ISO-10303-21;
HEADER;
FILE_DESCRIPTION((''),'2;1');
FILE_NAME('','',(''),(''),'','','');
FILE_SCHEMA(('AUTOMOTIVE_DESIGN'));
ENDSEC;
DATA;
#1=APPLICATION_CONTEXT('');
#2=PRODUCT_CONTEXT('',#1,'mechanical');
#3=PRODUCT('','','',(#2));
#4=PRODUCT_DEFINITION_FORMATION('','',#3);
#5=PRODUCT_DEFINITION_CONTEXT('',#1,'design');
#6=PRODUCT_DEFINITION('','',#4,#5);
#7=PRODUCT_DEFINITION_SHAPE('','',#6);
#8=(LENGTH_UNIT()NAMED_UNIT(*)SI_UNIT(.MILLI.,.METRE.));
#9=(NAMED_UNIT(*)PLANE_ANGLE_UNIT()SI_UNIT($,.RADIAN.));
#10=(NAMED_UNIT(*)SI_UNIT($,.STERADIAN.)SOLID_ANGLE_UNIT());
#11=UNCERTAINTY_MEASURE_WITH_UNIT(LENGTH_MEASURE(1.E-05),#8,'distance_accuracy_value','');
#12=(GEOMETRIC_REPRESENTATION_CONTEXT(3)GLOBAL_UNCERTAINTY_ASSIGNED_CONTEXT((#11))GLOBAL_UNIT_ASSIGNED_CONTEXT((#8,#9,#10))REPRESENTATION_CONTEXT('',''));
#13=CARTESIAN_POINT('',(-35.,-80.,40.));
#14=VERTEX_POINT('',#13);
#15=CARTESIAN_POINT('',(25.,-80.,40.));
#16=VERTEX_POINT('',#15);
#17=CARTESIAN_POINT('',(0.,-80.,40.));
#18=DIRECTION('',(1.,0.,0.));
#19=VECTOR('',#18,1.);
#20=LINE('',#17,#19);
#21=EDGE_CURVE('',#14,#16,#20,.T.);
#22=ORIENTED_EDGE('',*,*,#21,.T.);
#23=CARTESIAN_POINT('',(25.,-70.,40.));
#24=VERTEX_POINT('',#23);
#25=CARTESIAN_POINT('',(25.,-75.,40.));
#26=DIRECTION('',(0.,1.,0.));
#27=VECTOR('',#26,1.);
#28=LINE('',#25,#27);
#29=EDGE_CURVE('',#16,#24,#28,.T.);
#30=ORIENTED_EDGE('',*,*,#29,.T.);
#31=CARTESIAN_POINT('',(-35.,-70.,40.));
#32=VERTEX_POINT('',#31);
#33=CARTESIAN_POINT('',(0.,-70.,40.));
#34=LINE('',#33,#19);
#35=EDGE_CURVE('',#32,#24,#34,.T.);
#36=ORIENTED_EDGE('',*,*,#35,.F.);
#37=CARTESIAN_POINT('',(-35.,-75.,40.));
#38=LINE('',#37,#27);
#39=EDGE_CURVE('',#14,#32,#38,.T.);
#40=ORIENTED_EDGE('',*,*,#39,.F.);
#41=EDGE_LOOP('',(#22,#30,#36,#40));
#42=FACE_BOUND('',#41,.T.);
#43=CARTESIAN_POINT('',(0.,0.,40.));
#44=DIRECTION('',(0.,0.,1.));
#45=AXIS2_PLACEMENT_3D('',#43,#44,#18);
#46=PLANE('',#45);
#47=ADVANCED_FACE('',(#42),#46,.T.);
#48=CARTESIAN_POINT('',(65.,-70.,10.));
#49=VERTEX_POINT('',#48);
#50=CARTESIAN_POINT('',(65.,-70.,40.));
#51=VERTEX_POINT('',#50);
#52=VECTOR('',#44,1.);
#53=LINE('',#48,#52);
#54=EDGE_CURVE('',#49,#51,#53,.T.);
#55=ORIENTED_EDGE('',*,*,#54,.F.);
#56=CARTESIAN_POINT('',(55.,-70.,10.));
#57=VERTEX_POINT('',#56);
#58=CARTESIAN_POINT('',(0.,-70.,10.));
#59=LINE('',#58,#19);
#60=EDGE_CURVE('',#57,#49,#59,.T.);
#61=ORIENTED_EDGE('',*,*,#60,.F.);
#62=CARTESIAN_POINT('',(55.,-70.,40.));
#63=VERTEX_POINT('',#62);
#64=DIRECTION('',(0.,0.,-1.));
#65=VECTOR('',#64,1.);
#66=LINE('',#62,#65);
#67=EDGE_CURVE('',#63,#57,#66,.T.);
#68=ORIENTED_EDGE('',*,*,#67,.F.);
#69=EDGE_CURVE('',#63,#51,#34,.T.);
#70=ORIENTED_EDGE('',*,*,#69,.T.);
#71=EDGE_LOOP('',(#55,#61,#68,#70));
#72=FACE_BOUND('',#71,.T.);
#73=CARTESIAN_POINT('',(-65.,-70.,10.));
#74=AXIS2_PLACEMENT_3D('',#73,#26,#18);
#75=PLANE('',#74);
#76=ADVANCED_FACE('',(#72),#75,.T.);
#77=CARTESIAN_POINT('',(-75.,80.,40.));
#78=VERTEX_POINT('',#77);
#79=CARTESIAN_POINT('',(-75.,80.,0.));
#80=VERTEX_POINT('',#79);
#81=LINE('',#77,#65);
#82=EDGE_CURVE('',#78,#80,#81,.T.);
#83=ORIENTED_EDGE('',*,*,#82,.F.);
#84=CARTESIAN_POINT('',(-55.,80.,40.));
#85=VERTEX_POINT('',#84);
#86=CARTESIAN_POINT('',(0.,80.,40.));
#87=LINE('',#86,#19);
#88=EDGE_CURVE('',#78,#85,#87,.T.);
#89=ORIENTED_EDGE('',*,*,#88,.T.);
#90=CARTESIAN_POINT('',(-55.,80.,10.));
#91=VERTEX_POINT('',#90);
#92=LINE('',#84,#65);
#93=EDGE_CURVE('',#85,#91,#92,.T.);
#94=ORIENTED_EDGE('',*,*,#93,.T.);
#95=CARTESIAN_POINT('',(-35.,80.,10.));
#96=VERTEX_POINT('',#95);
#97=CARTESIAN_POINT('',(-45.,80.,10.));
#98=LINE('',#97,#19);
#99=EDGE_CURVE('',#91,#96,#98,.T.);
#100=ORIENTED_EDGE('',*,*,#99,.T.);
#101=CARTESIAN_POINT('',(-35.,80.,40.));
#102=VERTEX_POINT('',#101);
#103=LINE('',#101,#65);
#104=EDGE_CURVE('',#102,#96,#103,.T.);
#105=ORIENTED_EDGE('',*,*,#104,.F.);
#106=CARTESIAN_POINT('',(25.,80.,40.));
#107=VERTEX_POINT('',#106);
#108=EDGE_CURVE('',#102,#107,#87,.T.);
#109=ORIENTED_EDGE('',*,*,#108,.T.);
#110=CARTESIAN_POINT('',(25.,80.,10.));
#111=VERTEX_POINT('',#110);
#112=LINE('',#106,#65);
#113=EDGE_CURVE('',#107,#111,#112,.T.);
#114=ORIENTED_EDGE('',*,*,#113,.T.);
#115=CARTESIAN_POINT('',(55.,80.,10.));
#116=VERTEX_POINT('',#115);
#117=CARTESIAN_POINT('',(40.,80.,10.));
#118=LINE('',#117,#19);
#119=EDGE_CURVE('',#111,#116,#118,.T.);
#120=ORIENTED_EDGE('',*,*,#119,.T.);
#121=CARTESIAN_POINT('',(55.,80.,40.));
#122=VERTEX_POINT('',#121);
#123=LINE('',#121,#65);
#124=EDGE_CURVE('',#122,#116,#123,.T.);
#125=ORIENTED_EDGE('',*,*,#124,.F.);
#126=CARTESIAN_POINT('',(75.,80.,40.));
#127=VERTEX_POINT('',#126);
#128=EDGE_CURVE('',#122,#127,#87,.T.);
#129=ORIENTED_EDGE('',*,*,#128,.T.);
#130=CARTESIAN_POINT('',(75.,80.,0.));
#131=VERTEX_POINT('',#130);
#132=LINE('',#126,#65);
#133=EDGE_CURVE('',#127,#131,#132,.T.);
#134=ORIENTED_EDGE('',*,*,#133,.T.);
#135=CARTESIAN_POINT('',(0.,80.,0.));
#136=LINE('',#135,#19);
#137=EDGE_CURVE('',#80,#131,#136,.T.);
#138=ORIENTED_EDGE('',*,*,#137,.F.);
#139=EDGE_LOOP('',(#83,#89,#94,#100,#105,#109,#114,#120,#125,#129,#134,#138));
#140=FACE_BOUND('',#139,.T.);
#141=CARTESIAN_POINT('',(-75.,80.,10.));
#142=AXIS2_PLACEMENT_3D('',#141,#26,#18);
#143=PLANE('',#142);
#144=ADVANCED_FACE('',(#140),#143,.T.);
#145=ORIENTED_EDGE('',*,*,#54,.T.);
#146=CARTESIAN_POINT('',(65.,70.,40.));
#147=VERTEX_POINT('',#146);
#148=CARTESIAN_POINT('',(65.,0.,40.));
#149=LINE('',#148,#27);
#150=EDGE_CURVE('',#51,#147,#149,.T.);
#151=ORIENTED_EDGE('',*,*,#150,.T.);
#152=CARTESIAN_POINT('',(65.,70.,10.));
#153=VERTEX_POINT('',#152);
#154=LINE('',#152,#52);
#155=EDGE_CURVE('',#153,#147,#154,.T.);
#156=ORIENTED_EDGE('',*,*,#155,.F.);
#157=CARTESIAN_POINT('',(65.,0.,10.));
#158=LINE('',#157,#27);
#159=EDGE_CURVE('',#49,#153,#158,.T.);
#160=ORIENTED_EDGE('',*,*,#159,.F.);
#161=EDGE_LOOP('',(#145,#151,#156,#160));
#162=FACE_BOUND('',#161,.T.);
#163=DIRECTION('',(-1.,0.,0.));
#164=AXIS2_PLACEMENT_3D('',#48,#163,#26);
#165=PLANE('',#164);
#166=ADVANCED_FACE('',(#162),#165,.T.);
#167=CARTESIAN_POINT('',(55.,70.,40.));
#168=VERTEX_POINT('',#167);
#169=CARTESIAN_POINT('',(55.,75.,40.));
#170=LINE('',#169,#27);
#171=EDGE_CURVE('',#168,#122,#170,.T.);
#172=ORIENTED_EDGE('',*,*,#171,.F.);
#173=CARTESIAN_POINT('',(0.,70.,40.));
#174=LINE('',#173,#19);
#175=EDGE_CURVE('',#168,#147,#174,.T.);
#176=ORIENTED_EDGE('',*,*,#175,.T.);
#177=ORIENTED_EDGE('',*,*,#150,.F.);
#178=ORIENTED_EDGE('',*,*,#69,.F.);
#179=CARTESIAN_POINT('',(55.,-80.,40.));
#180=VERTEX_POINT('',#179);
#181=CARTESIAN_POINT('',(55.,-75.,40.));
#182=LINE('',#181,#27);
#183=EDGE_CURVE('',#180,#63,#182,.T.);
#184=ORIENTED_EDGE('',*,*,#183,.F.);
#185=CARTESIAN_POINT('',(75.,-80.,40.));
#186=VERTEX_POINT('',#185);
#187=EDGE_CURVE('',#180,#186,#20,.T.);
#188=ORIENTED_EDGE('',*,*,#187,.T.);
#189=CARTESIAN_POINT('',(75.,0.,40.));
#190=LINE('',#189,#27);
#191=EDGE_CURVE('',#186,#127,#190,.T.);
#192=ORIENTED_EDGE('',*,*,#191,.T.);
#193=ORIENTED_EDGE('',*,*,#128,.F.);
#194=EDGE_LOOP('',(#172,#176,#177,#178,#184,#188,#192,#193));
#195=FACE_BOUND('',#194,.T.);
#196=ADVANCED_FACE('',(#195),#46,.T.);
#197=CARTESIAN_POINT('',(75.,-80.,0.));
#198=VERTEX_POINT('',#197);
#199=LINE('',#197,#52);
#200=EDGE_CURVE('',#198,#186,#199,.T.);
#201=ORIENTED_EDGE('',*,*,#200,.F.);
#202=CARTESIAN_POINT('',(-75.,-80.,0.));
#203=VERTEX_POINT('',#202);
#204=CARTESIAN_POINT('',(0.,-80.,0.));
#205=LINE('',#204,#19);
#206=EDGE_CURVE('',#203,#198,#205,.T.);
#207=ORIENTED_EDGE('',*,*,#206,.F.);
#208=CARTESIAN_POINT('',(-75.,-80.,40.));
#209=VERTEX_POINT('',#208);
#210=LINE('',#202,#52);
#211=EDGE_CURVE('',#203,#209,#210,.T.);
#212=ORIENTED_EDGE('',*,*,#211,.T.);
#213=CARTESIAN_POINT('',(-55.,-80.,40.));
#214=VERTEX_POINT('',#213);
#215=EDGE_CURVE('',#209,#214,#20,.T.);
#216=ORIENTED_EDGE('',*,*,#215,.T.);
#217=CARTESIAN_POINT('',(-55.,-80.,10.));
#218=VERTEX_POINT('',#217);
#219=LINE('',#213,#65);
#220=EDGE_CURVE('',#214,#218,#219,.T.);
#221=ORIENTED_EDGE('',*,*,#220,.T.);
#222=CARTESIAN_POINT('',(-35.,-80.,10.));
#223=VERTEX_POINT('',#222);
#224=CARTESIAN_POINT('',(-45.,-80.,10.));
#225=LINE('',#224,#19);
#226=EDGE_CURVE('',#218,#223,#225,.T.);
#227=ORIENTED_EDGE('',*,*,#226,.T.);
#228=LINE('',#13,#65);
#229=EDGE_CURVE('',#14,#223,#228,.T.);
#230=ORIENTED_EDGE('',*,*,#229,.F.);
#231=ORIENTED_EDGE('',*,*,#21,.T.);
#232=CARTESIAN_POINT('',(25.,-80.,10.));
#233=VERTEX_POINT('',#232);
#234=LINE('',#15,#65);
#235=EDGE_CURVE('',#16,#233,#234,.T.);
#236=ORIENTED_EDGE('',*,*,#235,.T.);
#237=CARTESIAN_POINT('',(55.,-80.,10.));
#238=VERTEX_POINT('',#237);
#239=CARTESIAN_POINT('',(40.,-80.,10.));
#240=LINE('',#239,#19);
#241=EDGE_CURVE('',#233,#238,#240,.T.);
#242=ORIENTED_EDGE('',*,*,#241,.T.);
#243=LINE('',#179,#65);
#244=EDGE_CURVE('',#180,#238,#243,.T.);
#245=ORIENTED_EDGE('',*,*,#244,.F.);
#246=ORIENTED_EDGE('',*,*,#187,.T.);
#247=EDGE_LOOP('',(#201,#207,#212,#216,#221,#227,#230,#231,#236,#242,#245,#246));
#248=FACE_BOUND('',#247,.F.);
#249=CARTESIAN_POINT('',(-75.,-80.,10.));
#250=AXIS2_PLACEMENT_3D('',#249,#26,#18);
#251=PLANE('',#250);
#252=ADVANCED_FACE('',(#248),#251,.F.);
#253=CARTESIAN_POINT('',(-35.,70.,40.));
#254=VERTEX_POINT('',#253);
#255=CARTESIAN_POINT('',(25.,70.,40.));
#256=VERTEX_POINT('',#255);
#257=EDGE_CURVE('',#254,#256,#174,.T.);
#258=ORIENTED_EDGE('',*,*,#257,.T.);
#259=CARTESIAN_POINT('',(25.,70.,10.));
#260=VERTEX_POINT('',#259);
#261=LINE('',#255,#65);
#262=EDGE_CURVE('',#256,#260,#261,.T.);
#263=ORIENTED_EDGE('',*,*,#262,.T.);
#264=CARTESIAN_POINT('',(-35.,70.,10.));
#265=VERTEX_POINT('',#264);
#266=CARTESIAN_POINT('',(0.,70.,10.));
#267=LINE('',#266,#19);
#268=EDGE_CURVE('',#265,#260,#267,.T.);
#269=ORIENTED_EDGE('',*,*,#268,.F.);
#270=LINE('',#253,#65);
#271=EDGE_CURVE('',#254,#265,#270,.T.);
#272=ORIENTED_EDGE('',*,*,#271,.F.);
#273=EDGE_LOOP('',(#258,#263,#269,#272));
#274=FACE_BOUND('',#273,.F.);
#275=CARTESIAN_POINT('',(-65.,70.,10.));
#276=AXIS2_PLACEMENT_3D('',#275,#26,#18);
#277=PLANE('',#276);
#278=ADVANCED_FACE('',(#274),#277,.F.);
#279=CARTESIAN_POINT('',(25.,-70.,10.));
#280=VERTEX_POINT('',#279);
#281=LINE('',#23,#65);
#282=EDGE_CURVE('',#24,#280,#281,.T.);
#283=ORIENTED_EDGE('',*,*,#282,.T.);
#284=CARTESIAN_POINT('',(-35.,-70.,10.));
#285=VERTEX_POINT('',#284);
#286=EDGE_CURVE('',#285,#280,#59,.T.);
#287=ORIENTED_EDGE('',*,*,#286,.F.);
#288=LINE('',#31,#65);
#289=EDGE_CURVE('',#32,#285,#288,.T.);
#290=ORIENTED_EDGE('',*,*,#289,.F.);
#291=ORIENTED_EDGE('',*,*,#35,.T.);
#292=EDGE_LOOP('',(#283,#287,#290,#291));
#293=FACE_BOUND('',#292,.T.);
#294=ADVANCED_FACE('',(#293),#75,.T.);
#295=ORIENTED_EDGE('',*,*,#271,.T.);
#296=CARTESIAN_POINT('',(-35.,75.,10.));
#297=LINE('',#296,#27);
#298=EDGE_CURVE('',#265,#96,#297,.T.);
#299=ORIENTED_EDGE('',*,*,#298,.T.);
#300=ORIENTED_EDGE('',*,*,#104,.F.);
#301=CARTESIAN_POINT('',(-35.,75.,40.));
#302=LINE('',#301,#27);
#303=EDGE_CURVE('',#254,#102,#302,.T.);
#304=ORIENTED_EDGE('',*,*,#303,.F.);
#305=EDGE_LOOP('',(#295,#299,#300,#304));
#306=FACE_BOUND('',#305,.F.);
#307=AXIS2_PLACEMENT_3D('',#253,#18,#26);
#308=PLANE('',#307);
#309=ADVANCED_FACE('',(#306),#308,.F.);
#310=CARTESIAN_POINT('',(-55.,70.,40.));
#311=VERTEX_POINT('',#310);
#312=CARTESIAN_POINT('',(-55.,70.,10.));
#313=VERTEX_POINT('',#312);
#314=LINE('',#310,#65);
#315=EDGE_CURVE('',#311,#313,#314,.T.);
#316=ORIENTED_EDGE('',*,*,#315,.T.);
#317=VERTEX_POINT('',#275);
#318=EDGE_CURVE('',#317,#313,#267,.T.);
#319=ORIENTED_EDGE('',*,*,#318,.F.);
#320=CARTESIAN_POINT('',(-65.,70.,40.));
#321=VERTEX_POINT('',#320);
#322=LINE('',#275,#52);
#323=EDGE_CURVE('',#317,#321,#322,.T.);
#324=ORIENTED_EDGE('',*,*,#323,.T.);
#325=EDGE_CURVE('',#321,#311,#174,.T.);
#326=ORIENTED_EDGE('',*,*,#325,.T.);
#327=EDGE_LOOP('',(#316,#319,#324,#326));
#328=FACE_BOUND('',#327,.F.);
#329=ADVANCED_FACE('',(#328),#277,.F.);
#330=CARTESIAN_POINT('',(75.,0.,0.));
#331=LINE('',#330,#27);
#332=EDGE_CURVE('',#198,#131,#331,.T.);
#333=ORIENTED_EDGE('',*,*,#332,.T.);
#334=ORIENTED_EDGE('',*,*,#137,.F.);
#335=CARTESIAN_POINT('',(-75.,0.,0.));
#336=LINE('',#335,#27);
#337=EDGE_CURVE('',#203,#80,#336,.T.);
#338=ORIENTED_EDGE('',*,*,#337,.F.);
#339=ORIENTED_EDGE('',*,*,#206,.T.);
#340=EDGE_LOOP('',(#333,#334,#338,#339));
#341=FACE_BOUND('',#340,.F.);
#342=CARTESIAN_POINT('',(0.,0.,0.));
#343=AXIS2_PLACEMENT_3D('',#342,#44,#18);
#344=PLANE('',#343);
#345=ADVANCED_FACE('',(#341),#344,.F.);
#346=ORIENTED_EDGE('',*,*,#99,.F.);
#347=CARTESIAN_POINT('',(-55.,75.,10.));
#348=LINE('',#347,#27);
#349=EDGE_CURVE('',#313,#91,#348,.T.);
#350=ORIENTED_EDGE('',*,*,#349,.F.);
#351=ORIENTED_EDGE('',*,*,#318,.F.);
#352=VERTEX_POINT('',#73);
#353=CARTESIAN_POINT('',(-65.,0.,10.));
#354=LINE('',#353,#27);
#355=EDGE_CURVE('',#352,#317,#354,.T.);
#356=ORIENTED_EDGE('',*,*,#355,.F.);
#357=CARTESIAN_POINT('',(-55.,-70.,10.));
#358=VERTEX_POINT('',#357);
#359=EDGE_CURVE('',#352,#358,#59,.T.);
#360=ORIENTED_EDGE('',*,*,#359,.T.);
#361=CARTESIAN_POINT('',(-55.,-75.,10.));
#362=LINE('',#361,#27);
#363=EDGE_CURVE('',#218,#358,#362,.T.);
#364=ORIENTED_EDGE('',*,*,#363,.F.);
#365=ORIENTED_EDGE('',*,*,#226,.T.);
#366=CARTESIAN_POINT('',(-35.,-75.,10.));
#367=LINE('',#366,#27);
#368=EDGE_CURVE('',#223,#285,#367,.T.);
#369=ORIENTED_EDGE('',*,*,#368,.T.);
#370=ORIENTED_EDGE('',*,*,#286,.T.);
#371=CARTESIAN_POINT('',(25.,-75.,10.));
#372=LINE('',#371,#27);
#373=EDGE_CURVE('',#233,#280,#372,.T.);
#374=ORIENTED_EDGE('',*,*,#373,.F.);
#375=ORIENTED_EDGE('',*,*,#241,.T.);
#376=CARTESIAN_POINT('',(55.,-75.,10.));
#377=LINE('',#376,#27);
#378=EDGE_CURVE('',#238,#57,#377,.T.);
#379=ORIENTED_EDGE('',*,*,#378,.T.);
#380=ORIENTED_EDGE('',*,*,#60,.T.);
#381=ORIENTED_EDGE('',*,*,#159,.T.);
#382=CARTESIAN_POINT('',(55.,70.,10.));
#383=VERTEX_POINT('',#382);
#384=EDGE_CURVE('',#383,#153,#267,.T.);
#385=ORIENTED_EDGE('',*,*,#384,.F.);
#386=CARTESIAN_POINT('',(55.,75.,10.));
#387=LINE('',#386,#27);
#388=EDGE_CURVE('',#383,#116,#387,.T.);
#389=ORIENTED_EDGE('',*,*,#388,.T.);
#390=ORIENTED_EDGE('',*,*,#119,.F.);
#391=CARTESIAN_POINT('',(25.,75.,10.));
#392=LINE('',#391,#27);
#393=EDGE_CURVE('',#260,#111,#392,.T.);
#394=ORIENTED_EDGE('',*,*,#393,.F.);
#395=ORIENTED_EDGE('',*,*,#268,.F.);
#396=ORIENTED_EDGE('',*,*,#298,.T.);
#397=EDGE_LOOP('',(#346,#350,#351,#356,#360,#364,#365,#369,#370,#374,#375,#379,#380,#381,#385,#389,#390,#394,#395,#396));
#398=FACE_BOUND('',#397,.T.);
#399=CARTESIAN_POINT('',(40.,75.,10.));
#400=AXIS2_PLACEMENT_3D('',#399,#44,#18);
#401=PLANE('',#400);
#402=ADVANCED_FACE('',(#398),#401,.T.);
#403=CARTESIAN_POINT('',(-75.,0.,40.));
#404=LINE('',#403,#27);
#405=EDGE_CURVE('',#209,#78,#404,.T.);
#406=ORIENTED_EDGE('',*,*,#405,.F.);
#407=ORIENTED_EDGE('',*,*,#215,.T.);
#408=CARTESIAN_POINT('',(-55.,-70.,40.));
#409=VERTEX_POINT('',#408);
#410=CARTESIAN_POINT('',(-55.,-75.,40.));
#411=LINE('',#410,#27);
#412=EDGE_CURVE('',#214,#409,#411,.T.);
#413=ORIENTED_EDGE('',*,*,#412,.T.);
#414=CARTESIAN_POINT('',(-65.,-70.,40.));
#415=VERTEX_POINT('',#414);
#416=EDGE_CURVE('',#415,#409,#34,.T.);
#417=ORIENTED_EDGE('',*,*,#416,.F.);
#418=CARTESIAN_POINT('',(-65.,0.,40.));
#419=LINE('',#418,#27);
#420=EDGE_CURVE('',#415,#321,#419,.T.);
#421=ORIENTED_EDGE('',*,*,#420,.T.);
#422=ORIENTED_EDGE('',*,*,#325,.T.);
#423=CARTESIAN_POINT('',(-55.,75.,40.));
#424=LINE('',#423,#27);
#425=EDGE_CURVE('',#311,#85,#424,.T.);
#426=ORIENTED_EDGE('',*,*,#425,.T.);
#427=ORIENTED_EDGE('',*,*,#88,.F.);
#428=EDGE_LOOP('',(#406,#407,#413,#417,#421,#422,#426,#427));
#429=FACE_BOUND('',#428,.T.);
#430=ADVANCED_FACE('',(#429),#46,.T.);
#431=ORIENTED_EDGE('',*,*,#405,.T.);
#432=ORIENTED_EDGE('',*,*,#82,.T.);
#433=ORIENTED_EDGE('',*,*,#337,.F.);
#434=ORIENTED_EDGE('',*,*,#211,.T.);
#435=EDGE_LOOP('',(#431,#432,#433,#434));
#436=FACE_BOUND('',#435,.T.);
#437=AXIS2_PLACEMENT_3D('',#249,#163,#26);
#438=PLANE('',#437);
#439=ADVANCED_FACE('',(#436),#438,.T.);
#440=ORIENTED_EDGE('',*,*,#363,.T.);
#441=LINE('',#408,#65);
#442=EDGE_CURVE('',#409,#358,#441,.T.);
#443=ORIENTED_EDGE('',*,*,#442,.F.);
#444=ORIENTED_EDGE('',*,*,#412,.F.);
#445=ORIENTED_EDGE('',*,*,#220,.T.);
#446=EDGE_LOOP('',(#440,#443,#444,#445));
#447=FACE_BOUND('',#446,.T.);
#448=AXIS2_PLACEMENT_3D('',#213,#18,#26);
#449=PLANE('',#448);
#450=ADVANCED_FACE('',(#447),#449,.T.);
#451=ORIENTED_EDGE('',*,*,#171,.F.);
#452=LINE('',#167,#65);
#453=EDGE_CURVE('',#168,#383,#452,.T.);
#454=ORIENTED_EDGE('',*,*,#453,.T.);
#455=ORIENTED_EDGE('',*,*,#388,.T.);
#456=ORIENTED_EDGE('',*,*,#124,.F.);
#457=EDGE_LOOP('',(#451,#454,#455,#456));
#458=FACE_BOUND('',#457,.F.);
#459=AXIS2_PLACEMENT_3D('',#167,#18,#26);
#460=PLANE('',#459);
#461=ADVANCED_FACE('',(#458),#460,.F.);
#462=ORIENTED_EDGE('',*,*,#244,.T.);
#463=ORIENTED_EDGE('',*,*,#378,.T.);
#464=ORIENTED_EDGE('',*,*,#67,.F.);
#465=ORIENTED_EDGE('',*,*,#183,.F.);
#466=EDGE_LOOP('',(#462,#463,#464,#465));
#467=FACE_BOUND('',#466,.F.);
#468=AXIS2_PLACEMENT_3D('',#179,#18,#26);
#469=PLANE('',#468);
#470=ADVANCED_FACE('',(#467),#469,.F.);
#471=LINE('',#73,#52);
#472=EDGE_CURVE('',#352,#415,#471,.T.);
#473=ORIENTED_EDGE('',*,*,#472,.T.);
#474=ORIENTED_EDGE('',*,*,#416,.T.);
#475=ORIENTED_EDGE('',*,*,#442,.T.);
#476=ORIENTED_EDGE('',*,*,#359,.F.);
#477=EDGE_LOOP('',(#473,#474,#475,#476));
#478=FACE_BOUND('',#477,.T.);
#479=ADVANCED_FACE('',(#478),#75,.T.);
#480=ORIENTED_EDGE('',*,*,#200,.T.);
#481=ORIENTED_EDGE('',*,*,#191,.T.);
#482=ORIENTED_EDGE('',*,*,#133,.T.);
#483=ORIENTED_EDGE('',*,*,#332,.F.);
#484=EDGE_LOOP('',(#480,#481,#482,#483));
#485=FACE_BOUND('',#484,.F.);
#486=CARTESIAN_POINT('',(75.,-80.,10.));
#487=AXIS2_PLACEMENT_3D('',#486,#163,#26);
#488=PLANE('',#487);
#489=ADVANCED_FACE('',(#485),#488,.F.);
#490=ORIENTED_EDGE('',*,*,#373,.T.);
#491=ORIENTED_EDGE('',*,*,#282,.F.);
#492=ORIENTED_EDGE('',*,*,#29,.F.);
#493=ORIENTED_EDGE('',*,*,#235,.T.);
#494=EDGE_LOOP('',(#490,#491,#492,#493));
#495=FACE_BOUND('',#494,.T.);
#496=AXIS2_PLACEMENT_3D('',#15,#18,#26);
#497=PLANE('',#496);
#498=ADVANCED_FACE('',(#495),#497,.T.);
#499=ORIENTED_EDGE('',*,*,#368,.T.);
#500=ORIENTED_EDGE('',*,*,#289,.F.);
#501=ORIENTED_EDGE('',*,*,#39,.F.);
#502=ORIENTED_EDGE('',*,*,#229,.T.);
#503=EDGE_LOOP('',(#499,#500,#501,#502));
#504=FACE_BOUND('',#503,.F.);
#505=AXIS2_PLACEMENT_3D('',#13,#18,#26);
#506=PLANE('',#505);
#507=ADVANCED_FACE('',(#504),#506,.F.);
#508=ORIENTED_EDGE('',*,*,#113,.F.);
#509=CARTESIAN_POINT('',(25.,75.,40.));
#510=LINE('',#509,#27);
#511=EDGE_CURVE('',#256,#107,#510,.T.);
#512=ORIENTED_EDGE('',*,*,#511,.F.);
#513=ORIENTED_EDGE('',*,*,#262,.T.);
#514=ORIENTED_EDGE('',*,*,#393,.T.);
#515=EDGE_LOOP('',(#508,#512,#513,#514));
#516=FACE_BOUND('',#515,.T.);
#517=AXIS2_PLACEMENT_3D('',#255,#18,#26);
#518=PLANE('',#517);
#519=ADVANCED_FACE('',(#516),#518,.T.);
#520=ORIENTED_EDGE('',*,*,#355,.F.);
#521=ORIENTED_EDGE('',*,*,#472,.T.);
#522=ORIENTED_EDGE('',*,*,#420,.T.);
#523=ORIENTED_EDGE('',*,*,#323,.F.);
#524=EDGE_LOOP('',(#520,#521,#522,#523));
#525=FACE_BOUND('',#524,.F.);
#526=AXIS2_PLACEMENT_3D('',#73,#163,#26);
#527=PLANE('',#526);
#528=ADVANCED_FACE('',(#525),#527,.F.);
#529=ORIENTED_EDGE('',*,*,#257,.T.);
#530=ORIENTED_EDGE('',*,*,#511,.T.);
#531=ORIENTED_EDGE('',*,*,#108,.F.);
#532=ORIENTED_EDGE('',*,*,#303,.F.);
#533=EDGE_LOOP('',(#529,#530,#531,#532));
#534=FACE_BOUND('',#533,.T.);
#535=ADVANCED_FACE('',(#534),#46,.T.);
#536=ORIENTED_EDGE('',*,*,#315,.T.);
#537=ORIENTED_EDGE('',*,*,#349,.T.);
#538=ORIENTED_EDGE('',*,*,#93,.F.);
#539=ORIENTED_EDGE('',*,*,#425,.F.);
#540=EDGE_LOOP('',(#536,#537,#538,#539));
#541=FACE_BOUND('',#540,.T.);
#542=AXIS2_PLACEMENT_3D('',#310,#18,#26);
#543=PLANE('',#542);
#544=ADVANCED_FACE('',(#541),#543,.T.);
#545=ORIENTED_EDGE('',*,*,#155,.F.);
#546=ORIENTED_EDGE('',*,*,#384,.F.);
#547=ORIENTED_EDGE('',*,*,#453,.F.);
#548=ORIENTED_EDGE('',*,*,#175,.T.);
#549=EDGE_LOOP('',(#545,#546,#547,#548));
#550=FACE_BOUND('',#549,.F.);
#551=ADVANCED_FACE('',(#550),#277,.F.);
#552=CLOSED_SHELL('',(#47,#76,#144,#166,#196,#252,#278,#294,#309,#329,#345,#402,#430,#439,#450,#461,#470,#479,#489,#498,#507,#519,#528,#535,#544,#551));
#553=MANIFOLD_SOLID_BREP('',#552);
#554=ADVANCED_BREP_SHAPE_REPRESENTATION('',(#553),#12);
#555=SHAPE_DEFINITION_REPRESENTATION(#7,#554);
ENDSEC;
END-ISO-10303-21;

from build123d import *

# Parameters (mm, degrees)
F0_W      = 150
F0_H      = 160
F1_DEPTH  = 10
F2_W      = 150
F2_H      = 160
F2_W_2    = 130
F2_H_2    = 140
F3_DEPTH  = 30
F4_W      = 20
F4_H      = 10
F5_DEPTH  = 30
F6_W      = 30
F6_H      = 10
F7_DEPTH  = 30
F8_W      = 20
F8_H      = 10
F9_DEPTH  = 30
F10_W     = 30
F10_H     = 10
F11_DEPTH = 30


with BuildPart() as f1:
    # F0 (on Top) → F1 (new body)
    with BuildSketch(Plane.XY):
        Rectangle(F0_W, F0_H)
    extrude(amount=F1_DEPTH)

    # F2 (on face) → F3 (join)
    with BuildSketch(Plane.XY.offset(10)):
        Rectangle(F2_W, F2_H)
        Rectangle(F2_W_2, F2_H_2, mode=Mode.SUBTRACT)
    extrude(amount=F3_DEPTH)

    # F4 (on face) → F5 (cut)
    with BuildSketch(Plane.XY.offset(40)):
        with Locations((-45, 75)):
            Rectangle(F4_W, F4_H)
    extrude(amount=-F5_DEPTH, mode=Mode.SUBTRACT)

    # F6 (on face) → F7 (cut)
    with BuildSketch(Plane.XY.offset(40)):
        with Locations((40, 75)):
            Rectangle(F6_W, F6_H)
    extrude(amount=-F7_DEPTH, mode=Mode.SUBTRACT)

    # F8 (on face) → F9 (cut)
    with BuildSketch(Plane.XY.offset(40)):
        with Locations((-45, -75)):
            Rectangle(F8_W, F8_H)
    extrude(amount=-F9_DEPTH, mode=Mode.SUBTRACT)

    # F10 (on face) → F11 (cut)
    with BuildSketch(Plane.XY.offset(40)):
        with Locations((40, -75)):
            Rectangle(F10_W, F10_H)
    extrude(amount=-F11_DEPTH, mode=Mode.SUBTRACT)


solid = f1.part
